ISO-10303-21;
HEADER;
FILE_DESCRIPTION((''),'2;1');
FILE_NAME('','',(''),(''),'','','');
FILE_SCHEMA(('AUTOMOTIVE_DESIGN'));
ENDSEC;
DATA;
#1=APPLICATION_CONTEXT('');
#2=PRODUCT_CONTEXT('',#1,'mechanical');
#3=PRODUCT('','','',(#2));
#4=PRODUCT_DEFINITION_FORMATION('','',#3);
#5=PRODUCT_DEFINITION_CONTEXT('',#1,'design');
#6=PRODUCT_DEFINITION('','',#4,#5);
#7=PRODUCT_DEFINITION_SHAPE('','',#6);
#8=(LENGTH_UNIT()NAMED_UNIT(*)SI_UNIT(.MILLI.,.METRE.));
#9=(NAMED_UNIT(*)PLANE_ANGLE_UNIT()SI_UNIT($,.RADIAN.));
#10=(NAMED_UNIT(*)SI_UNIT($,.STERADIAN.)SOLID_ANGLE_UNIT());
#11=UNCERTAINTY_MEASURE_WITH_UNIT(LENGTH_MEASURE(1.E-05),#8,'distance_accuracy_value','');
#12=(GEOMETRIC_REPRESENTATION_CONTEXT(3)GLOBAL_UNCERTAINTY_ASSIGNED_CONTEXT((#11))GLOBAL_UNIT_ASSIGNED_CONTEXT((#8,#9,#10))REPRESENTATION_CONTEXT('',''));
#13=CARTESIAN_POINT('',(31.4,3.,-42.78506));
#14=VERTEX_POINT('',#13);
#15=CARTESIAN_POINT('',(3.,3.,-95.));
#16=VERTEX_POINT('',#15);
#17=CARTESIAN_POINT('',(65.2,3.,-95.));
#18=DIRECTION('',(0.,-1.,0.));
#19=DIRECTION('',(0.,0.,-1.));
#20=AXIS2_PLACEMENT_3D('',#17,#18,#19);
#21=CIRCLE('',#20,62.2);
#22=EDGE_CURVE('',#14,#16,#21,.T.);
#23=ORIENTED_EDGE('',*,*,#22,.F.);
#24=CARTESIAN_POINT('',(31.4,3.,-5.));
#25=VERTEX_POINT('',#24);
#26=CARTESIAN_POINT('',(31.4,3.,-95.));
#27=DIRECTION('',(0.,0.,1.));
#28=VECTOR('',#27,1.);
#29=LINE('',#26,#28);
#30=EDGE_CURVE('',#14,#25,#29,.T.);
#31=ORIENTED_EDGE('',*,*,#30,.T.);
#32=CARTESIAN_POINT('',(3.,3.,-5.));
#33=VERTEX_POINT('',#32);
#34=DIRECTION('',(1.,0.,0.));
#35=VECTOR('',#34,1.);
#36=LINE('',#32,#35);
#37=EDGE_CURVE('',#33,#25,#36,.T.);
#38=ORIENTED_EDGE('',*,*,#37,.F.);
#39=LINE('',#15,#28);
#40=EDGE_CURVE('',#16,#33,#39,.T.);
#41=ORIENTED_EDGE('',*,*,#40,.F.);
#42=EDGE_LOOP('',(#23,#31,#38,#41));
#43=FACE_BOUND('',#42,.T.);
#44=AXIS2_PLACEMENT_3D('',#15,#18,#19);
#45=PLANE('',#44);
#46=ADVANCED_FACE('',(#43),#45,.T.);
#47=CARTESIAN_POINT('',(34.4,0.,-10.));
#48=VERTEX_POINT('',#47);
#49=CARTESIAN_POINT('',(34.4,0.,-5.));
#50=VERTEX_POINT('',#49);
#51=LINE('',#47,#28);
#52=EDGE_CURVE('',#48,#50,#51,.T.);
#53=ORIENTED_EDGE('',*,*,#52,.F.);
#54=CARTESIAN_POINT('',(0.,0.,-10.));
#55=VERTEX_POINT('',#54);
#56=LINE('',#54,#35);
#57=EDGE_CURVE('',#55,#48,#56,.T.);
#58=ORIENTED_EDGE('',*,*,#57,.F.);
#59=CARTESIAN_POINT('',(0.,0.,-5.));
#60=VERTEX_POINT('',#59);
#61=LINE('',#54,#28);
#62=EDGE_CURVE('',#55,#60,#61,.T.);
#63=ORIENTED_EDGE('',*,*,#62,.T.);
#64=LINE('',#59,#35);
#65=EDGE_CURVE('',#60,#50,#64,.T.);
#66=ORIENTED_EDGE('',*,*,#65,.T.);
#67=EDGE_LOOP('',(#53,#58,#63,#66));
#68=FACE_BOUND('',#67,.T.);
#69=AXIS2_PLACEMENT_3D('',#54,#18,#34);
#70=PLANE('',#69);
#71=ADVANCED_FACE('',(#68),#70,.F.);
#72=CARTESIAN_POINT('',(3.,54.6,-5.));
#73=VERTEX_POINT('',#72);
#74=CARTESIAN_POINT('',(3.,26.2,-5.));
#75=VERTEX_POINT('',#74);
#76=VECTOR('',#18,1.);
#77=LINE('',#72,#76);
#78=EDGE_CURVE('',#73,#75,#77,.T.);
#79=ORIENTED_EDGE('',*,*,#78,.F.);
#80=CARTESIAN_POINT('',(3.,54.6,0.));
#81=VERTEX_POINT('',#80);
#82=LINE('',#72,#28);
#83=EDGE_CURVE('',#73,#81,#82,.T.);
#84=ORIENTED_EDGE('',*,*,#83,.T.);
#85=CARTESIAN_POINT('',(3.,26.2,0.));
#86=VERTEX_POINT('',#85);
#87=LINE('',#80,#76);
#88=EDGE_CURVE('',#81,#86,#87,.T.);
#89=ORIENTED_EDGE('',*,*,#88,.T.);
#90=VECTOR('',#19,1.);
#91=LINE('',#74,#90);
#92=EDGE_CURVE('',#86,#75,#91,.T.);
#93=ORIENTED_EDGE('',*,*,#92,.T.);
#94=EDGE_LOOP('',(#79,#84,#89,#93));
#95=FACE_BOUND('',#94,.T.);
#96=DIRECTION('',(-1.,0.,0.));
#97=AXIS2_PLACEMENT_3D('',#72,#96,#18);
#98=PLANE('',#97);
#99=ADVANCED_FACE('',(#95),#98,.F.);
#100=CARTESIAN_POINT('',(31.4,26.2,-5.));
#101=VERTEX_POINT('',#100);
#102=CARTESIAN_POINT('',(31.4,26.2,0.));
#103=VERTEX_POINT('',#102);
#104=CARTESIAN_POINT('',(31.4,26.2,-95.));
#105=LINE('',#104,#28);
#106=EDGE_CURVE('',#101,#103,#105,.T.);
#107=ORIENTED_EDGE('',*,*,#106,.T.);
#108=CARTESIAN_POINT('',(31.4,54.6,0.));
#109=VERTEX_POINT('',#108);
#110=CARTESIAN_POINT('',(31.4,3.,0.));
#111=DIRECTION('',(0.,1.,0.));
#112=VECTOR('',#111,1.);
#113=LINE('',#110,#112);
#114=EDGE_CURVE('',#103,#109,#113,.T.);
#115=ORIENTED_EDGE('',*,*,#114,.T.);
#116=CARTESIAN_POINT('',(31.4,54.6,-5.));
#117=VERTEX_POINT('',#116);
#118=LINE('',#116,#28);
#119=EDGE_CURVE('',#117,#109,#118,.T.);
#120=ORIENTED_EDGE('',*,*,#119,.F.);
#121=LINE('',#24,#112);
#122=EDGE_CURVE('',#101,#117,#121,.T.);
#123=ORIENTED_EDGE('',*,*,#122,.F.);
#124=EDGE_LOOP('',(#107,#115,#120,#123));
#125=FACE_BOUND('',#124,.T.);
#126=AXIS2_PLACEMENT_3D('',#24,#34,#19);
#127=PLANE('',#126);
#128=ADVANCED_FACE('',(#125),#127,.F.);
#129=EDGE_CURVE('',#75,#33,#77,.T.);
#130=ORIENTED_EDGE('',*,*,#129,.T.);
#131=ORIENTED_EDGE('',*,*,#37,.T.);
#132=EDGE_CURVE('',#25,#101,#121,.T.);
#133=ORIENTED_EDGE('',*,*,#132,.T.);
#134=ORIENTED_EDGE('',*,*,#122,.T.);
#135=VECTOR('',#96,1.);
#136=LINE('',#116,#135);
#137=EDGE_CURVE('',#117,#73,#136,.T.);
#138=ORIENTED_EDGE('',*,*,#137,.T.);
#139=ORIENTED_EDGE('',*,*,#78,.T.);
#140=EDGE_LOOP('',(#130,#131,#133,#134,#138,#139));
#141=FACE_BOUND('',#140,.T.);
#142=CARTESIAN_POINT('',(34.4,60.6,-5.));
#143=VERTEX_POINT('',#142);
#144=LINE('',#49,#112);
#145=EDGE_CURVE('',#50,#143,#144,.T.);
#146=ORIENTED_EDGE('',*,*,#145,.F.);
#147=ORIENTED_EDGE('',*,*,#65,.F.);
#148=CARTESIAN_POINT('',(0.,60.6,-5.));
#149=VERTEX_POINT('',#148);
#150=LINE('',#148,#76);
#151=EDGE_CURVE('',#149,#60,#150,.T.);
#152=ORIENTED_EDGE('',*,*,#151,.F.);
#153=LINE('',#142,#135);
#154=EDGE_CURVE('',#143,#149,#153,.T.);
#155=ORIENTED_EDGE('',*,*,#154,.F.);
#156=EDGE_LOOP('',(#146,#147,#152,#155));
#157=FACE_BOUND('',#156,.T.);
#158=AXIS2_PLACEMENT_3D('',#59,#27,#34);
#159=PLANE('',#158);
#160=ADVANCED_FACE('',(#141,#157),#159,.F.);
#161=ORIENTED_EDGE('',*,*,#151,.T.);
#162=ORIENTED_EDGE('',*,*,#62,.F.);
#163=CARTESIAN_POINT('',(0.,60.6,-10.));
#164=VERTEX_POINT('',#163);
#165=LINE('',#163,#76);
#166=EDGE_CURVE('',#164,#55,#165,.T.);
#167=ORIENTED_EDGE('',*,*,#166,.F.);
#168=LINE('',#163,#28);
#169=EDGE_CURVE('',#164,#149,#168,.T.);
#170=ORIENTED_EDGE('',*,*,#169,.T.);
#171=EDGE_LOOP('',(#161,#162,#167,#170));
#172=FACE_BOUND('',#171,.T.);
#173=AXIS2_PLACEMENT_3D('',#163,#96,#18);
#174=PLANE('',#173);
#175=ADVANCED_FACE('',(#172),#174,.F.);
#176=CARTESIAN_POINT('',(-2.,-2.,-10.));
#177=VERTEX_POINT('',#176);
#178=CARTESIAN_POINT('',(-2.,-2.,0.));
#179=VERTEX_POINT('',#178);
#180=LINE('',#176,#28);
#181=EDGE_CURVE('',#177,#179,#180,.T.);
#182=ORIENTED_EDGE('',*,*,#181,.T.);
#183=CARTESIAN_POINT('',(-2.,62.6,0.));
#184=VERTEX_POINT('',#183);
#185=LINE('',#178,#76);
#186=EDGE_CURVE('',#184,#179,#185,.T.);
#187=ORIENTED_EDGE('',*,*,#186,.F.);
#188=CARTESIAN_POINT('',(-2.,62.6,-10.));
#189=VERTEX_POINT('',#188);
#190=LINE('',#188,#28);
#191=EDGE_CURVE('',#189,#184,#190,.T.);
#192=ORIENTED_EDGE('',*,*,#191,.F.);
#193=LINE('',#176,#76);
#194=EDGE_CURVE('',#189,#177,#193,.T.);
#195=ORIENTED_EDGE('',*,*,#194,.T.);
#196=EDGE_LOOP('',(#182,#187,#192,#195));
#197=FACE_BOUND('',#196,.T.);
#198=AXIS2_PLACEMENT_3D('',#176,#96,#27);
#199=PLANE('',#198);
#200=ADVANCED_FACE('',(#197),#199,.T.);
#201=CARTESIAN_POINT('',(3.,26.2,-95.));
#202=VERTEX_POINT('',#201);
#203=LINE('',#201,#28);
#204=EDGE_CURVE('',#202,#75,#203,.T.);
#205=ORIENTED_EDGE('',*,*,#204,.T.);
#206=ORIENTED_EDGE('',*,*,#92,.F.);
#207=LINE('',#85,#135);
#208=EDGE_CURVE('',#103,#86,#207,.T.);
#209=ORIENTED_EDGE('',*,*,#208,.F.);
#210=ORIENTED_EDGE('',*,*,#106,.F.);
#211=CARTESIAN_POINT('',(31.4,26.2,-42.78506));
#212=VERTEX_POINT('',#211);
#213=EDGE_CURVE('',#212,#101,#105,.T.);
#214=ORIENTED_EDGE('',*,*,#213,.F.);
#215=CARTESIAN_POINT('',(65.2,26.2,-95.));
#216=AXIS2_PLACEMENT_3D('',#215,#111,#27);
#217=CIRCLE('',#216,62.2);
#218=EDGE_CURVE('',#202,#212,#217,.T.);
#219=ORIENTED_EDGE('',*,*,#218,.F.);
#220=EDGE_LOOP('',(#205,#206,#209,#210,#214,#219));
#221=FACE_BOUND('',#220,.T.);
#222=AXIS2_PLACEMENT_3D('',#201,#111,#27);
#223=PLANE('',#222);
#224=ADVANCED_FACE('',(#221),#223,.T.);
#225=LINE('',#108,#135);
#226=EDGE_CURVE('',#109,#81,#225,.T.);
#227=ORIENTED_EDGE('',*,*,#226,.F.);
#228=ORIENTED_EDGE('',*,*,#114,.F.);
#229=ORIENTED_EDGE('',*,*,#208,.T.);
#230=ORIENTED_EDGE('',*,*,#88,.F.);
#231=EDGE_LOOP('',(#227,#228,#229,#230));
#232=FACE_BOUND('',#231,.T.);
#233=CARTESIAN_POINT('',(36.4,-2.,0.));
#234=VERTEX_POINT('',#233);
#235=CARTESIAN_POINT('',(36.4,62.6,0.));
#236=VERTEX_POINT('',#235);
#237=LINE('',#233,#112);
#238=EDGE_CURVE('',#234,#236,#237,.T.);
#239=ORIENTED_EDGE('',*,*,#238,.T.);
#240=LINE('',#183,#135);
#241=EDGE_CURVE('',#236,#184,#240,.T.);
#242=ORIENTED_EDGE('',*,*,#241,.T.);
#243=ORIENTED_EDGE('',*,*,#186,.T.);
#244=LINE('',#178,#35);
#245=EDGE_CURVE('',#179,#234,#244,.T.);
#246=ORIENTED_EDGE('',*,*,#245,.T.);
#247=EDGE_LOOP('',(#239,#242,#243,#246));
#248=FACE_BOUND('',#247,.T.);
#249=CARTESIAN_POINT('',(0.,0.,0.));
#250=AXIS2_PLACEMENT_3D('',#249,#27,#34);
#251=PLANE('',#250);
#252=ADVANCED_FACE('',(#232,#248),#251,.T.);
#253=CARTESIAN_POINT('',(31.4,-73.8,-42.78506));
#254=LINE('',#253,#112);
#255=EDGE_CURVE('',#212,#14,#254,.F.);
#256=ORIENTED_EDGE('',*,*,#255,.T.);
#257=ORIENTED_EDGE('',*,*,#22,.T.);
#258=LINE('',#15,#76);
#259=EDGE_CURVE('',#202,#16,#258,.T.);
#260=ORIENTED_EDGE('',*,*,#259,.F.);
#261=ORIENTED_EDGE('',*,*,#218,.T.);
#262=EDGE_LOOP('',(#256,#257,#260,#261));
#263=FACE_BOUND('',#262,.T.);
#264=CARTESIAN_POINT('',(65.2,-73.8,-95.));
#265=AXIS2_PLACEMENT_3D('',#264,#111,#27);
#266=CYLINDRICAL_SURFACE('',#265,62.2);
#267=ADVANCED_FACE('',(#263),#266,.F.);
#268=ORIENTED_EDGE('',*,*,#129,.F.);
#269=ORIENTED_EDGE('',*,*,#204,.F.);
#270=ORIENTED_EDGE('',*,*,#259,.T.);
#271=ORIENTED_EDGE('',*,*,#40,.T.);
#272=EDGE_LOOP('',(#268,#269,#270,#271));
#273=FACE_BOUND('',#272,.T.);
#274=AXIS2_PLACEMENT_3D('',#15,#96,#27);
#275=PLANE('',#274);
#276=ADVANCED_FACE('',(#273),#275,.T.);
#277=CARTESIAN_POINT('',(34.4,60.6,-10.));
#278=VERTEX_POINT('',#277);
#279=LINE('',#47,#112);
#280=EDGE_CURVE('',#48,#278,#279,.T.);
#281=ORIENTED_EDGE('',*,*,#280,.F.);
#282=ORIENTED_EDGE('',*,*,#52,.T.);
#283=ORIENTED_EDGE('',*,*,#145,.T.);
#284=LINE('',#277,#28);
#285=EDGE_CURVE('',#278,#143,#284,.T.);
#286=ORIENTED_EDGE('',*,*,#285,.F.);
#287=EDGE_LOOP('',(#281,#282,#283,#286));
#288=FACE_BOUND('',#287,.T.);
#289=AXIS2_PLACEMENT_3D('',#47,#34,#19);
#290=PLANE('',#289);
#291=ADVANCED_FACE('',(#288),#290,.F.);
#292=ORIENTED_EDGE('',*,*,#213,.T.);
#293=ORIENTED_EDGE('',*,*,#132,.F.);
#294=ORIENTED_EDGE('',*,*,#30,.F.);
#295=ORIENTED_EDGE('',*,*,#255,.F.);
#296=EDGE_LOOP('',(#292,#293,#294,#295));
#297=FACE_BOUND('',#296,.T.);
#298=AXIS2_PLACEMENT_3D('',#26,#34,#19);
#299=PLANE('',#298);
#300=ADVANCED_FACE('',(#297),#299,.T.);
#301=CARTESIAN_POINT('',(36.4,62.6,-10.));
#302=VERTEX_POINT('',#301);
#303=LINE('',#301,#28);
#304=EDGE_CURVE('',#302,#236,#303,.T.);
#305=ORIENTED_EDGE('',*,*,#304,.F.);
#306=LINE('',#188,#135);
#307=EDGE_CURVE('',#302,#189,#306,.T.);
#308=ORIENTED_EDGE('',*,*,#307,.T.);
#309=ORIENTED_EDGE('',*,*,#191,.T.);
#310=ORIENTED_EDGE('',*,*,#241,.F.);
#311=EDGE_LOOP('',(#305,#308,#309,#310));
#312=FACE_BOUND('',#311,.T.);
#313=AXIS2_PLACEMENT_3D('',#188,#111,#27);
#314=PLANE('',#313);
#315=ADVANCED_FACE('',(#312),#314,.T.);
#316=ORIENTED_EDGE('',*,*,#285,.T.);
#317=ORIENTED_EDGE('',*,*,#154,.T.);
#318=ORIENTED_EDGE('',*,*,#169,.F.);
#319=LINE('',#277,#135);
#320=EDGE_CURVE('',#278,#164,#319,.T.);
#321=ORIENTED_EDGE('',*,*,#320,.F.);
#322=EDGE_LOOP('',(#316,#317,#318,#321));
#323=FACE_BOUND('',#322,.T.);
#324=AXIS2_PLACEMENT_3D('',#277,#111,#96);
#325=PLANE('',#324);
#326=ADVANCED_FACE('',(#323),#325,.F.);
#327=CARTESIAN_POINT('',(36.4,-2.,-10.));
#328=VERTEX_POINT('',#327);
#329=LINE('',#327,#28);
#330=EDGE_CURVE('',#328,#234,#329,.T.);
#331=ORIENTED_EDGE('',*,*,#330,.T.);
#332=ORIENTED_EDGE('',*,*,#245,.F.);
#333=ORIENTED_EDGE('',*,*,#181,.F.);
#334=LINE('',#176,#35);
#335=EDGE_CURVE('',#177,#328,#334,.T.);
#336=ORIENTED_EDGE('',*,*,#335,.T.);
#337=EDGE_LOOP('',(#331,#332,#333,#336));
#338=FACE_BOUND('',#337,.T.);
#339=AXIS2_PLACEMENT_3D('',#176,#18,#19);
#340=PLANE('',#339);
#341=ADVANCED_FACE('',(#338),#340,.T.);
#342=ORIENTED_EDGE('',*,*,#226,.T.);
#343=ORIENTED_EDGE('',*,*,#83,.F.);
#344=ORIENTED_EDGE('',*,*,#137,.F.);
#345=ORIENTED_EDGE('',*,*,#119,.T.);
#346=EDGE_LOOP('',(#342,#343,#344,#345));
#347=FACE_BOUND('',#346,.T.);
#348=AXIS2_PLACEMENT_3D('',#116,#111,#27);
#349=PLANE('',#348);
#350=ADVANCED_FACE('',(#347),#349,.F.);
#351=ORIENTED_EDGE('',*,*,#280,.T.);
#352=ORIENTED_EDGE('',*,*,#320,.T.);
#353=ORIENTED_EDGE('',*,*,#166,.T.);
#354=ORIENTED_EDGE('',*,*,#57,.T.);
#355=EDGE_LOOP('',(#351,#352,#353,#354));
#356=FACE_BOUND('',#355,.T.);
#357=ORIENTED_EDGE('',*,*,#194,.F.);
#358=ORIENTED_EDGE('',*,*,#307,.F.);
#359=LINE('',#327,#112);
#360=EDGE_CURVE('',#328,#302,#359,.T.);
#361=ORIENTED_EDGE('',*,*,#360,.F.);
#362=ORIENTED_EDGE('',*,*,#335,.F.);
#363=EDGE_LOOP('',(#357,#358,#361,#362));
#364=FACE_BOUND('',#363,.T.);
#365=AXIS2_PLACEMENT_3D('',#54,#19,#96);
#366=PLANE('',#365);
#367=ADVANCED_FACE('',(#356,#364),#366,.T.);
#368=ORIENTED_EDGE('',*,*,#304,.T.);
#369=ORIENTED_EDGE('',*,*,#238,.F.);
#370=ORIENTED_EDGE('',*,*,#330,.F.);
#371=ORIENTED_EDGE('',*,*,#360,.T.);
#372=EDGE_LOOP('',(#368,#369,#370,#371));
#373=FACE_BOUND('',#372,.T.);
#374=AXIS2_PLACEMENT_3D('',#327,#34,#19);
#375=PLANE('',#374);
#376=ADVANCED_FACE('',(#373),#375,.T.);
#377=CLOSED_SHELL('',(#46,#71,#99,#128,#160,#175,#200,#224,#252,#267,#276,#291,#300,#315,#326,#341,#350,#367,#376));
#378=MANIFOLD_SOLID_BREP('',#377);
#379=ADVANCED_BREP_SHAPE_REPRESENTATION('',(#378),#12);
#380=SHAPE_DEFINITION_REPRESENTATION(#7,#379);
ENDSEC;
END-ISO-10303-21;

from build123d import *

# Parameters (mm, degrees)
SKETCH_8_W          = 34.4
SKETCH_8_H          = 60.6
SKETCH_8_W_2        = 28.4
SKETCH_8_H_2        = 51.6
EXTRUDE_4_DEPTH     = 5
SKETCH_9_W          = 28.4
SKETCH_9_H          = 23.2
EXTRUDE_5_DEPTH     = 95
SKETCH_10_R         = 62.2
CUT_EXTRUDE_3_DEPTH = 100
SKETCH_13_W         = 38.4
SKETCH_13_H         = 64.6
SKETCH_13_W_2       = 34.4
SKETCH_13_H_2       = 60.6
EXTRUDE_7_DEPTH     = 10


with BuildPart() as part:
    # 스케치8 → 보스-돌출4 (new body)
    with BuildSketch(Plane.XY):
        with Locations((17.2, 30.3)):
            Rectangle(SKETCH_8_W, SKETCH_8_H)
        with Locations((17.2, 28.8)):
            Rectangle(SKETCH_8_W_2, SKETCH_8_H_2, mode=Mode.SUBTRACT)
    extrude(amount=-EXTRUDE_4_DEPTH)

    # 스케치9 → 보스-돌출5 (add)
    with BuildSketch(Plane.XY):
        with Locations((17.2, 14.6)):
            Rectangle(SKETCH_9_W, SKETCH_9_H)
    extrude(amount=-EXTRUDE_5_DEPTH)

    # 스케치10 → 컷-돌출3 (cut)
    with BuildSketch(Plane(origin=(0, 26.2, 0), x_dir=(1, 0, 0), z_dir=(0, 1, 0))):
        with Locations((65.2, 95)):
            Circle(SKETCH_10_R)
    extrude(amount=-CUT_EXTRUDE_3_DEPTH, mode=Mode.SUBTRACT)

    # 스케치13 → 보스-돌출7 (add)
    with BuildSketch(Plane.XY):
        with Locations((17.2, 30.3)):
            Rectangle(SKETCH_13_W, SKETCH_13_H)
        with Locations((17.2, 30.3)):
            Rectangle(SKETCH_13_W_2, SKETCH_13_H_2, mode=Mode.SUBTRACT)
    extrude(amount=-EXTRUDE_7_DEPTH)


solid = part.part
